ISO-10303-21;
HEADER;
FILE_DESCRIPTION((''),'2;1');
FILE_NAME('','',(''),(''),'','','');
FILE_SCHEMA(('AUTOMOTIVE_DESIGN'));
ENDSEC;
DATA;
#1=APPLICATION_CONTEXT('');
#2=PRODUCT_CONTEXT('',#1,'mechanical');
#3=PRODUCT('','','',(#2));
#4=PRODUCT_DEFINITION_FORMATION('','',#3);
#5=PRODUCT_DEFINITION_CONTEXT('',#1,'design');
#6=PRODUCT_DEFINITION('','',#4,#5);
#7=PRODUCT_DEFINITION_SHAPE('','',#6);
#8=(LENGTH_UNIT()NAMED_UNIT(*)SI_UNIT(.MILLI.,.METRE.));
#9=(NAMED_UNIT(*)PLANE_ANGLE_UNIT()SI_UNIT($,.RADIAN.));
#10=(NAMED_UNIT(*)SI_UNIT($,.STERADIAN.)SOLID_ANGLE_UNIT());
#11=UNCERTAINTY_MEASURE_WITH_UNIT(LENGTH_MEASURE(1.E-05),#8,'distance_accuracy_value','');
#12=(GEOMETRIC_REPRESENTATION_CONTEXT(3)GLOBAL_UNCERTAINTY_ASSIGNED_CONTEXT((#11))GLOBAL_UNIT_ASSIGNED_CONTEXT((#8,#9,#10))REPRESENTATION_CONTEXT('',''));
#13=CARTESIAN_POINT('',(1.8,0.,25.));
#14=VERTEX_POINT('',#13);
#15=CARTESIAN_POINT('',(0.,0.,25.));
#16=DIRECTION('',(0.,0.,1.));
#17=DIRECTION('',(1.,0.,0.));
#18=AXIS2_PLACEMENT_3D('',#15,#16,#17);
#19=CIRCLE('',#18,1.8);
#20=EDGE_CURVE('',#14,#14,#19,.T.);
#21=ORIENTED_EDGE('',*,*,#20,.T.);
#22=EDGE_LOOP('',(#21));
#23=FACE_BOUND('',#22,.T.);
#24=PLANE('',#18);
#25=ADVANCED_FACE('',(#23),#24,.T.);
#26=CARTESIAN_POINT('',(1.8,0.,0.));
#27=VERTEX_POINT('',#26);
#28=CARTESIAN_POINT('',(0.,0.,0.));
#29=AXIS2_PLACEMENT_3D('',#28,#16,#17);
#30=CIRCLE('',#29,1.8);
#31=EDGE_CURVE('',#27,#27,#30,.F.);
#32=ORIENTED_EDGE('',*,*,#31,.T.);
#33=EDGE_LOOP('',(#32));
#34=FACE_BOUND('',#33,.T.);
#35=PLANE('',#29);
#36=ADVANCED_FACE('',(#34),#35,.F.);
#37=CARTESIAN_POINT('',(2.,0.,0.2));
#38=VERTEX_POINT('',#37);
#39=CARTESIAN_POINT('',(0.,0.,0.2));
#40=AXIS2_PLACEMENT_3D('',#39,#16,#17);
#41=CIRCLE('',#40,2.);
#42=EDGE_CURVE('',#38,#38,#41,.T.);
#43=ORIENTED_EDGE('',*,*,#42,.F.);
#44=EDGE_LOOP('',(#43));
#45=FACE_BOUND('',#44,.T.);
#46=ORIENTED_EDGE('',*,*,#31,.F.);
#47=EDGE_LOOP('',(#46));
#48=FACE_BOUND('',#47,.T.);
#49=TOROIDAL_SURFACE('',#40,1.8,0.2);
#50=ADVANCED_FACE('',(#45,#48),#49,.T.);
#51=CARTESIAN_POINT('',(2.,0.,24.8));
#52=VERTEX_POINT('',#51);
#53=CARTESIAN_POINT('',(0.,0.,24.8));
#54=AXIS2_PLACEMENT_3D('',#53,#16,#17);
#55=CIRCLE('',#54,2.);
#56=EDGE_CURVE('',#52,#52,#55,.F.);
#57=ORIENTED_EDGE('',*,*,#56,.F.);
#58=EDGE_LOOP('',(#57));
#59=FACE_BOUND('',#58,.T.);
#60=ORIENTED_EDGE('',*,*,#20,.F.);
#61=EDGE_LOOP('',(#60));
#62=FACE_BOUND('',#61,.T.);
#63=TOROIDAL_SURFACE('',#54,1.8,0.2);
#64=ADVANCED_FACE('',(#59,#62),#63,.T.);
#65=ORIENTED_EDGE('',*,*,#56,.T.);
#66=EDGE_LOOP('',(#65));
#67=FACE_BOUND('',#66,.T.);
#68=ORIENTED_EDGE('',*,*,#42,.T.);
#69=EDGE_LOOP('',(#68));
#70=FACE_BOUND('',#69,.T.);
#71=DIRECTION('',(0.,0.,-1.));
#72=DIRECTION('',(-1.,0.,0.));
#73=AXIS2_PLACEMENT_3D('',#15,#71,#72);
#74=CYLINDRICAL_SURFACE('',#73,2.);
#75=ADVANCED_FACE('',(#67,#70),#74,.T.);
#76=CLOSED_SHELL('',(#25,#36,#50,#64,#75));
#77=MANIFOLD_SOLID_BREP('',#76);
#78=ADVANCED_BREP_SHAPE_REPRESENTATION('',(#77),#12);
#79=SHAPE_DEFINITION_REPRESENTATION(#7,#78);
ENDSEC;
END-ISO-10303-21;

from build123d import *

# Parameters (mm, degrees)
SKIZZE1_R                       = 2
AUFSATZ_LINEAR_AUSTRAGEN1_DEPTH = 25
VERRUNDUNG2_R                   = 0.2


with BuildPart() as part:
    # Skizze1 → Aufsatz-Linear austragen1 (new body)
    with BuildSketch(Plane.XY):
        Circle(SKIZZE1_R)
    extrude(amount=AUFSATZ_LINEAR_AUSTRAGEN1_DEPTH)

    # Verrundung2
    verrundung2_edges = [part.edges().sort_by_distance(p)[0] for p in [
        (-2, 0, 0),
        (-2, 0, 25),
    ]]
    fillet(verrundung2_edges, radius=VERRUNDUNG2_R)


solid = part.part
